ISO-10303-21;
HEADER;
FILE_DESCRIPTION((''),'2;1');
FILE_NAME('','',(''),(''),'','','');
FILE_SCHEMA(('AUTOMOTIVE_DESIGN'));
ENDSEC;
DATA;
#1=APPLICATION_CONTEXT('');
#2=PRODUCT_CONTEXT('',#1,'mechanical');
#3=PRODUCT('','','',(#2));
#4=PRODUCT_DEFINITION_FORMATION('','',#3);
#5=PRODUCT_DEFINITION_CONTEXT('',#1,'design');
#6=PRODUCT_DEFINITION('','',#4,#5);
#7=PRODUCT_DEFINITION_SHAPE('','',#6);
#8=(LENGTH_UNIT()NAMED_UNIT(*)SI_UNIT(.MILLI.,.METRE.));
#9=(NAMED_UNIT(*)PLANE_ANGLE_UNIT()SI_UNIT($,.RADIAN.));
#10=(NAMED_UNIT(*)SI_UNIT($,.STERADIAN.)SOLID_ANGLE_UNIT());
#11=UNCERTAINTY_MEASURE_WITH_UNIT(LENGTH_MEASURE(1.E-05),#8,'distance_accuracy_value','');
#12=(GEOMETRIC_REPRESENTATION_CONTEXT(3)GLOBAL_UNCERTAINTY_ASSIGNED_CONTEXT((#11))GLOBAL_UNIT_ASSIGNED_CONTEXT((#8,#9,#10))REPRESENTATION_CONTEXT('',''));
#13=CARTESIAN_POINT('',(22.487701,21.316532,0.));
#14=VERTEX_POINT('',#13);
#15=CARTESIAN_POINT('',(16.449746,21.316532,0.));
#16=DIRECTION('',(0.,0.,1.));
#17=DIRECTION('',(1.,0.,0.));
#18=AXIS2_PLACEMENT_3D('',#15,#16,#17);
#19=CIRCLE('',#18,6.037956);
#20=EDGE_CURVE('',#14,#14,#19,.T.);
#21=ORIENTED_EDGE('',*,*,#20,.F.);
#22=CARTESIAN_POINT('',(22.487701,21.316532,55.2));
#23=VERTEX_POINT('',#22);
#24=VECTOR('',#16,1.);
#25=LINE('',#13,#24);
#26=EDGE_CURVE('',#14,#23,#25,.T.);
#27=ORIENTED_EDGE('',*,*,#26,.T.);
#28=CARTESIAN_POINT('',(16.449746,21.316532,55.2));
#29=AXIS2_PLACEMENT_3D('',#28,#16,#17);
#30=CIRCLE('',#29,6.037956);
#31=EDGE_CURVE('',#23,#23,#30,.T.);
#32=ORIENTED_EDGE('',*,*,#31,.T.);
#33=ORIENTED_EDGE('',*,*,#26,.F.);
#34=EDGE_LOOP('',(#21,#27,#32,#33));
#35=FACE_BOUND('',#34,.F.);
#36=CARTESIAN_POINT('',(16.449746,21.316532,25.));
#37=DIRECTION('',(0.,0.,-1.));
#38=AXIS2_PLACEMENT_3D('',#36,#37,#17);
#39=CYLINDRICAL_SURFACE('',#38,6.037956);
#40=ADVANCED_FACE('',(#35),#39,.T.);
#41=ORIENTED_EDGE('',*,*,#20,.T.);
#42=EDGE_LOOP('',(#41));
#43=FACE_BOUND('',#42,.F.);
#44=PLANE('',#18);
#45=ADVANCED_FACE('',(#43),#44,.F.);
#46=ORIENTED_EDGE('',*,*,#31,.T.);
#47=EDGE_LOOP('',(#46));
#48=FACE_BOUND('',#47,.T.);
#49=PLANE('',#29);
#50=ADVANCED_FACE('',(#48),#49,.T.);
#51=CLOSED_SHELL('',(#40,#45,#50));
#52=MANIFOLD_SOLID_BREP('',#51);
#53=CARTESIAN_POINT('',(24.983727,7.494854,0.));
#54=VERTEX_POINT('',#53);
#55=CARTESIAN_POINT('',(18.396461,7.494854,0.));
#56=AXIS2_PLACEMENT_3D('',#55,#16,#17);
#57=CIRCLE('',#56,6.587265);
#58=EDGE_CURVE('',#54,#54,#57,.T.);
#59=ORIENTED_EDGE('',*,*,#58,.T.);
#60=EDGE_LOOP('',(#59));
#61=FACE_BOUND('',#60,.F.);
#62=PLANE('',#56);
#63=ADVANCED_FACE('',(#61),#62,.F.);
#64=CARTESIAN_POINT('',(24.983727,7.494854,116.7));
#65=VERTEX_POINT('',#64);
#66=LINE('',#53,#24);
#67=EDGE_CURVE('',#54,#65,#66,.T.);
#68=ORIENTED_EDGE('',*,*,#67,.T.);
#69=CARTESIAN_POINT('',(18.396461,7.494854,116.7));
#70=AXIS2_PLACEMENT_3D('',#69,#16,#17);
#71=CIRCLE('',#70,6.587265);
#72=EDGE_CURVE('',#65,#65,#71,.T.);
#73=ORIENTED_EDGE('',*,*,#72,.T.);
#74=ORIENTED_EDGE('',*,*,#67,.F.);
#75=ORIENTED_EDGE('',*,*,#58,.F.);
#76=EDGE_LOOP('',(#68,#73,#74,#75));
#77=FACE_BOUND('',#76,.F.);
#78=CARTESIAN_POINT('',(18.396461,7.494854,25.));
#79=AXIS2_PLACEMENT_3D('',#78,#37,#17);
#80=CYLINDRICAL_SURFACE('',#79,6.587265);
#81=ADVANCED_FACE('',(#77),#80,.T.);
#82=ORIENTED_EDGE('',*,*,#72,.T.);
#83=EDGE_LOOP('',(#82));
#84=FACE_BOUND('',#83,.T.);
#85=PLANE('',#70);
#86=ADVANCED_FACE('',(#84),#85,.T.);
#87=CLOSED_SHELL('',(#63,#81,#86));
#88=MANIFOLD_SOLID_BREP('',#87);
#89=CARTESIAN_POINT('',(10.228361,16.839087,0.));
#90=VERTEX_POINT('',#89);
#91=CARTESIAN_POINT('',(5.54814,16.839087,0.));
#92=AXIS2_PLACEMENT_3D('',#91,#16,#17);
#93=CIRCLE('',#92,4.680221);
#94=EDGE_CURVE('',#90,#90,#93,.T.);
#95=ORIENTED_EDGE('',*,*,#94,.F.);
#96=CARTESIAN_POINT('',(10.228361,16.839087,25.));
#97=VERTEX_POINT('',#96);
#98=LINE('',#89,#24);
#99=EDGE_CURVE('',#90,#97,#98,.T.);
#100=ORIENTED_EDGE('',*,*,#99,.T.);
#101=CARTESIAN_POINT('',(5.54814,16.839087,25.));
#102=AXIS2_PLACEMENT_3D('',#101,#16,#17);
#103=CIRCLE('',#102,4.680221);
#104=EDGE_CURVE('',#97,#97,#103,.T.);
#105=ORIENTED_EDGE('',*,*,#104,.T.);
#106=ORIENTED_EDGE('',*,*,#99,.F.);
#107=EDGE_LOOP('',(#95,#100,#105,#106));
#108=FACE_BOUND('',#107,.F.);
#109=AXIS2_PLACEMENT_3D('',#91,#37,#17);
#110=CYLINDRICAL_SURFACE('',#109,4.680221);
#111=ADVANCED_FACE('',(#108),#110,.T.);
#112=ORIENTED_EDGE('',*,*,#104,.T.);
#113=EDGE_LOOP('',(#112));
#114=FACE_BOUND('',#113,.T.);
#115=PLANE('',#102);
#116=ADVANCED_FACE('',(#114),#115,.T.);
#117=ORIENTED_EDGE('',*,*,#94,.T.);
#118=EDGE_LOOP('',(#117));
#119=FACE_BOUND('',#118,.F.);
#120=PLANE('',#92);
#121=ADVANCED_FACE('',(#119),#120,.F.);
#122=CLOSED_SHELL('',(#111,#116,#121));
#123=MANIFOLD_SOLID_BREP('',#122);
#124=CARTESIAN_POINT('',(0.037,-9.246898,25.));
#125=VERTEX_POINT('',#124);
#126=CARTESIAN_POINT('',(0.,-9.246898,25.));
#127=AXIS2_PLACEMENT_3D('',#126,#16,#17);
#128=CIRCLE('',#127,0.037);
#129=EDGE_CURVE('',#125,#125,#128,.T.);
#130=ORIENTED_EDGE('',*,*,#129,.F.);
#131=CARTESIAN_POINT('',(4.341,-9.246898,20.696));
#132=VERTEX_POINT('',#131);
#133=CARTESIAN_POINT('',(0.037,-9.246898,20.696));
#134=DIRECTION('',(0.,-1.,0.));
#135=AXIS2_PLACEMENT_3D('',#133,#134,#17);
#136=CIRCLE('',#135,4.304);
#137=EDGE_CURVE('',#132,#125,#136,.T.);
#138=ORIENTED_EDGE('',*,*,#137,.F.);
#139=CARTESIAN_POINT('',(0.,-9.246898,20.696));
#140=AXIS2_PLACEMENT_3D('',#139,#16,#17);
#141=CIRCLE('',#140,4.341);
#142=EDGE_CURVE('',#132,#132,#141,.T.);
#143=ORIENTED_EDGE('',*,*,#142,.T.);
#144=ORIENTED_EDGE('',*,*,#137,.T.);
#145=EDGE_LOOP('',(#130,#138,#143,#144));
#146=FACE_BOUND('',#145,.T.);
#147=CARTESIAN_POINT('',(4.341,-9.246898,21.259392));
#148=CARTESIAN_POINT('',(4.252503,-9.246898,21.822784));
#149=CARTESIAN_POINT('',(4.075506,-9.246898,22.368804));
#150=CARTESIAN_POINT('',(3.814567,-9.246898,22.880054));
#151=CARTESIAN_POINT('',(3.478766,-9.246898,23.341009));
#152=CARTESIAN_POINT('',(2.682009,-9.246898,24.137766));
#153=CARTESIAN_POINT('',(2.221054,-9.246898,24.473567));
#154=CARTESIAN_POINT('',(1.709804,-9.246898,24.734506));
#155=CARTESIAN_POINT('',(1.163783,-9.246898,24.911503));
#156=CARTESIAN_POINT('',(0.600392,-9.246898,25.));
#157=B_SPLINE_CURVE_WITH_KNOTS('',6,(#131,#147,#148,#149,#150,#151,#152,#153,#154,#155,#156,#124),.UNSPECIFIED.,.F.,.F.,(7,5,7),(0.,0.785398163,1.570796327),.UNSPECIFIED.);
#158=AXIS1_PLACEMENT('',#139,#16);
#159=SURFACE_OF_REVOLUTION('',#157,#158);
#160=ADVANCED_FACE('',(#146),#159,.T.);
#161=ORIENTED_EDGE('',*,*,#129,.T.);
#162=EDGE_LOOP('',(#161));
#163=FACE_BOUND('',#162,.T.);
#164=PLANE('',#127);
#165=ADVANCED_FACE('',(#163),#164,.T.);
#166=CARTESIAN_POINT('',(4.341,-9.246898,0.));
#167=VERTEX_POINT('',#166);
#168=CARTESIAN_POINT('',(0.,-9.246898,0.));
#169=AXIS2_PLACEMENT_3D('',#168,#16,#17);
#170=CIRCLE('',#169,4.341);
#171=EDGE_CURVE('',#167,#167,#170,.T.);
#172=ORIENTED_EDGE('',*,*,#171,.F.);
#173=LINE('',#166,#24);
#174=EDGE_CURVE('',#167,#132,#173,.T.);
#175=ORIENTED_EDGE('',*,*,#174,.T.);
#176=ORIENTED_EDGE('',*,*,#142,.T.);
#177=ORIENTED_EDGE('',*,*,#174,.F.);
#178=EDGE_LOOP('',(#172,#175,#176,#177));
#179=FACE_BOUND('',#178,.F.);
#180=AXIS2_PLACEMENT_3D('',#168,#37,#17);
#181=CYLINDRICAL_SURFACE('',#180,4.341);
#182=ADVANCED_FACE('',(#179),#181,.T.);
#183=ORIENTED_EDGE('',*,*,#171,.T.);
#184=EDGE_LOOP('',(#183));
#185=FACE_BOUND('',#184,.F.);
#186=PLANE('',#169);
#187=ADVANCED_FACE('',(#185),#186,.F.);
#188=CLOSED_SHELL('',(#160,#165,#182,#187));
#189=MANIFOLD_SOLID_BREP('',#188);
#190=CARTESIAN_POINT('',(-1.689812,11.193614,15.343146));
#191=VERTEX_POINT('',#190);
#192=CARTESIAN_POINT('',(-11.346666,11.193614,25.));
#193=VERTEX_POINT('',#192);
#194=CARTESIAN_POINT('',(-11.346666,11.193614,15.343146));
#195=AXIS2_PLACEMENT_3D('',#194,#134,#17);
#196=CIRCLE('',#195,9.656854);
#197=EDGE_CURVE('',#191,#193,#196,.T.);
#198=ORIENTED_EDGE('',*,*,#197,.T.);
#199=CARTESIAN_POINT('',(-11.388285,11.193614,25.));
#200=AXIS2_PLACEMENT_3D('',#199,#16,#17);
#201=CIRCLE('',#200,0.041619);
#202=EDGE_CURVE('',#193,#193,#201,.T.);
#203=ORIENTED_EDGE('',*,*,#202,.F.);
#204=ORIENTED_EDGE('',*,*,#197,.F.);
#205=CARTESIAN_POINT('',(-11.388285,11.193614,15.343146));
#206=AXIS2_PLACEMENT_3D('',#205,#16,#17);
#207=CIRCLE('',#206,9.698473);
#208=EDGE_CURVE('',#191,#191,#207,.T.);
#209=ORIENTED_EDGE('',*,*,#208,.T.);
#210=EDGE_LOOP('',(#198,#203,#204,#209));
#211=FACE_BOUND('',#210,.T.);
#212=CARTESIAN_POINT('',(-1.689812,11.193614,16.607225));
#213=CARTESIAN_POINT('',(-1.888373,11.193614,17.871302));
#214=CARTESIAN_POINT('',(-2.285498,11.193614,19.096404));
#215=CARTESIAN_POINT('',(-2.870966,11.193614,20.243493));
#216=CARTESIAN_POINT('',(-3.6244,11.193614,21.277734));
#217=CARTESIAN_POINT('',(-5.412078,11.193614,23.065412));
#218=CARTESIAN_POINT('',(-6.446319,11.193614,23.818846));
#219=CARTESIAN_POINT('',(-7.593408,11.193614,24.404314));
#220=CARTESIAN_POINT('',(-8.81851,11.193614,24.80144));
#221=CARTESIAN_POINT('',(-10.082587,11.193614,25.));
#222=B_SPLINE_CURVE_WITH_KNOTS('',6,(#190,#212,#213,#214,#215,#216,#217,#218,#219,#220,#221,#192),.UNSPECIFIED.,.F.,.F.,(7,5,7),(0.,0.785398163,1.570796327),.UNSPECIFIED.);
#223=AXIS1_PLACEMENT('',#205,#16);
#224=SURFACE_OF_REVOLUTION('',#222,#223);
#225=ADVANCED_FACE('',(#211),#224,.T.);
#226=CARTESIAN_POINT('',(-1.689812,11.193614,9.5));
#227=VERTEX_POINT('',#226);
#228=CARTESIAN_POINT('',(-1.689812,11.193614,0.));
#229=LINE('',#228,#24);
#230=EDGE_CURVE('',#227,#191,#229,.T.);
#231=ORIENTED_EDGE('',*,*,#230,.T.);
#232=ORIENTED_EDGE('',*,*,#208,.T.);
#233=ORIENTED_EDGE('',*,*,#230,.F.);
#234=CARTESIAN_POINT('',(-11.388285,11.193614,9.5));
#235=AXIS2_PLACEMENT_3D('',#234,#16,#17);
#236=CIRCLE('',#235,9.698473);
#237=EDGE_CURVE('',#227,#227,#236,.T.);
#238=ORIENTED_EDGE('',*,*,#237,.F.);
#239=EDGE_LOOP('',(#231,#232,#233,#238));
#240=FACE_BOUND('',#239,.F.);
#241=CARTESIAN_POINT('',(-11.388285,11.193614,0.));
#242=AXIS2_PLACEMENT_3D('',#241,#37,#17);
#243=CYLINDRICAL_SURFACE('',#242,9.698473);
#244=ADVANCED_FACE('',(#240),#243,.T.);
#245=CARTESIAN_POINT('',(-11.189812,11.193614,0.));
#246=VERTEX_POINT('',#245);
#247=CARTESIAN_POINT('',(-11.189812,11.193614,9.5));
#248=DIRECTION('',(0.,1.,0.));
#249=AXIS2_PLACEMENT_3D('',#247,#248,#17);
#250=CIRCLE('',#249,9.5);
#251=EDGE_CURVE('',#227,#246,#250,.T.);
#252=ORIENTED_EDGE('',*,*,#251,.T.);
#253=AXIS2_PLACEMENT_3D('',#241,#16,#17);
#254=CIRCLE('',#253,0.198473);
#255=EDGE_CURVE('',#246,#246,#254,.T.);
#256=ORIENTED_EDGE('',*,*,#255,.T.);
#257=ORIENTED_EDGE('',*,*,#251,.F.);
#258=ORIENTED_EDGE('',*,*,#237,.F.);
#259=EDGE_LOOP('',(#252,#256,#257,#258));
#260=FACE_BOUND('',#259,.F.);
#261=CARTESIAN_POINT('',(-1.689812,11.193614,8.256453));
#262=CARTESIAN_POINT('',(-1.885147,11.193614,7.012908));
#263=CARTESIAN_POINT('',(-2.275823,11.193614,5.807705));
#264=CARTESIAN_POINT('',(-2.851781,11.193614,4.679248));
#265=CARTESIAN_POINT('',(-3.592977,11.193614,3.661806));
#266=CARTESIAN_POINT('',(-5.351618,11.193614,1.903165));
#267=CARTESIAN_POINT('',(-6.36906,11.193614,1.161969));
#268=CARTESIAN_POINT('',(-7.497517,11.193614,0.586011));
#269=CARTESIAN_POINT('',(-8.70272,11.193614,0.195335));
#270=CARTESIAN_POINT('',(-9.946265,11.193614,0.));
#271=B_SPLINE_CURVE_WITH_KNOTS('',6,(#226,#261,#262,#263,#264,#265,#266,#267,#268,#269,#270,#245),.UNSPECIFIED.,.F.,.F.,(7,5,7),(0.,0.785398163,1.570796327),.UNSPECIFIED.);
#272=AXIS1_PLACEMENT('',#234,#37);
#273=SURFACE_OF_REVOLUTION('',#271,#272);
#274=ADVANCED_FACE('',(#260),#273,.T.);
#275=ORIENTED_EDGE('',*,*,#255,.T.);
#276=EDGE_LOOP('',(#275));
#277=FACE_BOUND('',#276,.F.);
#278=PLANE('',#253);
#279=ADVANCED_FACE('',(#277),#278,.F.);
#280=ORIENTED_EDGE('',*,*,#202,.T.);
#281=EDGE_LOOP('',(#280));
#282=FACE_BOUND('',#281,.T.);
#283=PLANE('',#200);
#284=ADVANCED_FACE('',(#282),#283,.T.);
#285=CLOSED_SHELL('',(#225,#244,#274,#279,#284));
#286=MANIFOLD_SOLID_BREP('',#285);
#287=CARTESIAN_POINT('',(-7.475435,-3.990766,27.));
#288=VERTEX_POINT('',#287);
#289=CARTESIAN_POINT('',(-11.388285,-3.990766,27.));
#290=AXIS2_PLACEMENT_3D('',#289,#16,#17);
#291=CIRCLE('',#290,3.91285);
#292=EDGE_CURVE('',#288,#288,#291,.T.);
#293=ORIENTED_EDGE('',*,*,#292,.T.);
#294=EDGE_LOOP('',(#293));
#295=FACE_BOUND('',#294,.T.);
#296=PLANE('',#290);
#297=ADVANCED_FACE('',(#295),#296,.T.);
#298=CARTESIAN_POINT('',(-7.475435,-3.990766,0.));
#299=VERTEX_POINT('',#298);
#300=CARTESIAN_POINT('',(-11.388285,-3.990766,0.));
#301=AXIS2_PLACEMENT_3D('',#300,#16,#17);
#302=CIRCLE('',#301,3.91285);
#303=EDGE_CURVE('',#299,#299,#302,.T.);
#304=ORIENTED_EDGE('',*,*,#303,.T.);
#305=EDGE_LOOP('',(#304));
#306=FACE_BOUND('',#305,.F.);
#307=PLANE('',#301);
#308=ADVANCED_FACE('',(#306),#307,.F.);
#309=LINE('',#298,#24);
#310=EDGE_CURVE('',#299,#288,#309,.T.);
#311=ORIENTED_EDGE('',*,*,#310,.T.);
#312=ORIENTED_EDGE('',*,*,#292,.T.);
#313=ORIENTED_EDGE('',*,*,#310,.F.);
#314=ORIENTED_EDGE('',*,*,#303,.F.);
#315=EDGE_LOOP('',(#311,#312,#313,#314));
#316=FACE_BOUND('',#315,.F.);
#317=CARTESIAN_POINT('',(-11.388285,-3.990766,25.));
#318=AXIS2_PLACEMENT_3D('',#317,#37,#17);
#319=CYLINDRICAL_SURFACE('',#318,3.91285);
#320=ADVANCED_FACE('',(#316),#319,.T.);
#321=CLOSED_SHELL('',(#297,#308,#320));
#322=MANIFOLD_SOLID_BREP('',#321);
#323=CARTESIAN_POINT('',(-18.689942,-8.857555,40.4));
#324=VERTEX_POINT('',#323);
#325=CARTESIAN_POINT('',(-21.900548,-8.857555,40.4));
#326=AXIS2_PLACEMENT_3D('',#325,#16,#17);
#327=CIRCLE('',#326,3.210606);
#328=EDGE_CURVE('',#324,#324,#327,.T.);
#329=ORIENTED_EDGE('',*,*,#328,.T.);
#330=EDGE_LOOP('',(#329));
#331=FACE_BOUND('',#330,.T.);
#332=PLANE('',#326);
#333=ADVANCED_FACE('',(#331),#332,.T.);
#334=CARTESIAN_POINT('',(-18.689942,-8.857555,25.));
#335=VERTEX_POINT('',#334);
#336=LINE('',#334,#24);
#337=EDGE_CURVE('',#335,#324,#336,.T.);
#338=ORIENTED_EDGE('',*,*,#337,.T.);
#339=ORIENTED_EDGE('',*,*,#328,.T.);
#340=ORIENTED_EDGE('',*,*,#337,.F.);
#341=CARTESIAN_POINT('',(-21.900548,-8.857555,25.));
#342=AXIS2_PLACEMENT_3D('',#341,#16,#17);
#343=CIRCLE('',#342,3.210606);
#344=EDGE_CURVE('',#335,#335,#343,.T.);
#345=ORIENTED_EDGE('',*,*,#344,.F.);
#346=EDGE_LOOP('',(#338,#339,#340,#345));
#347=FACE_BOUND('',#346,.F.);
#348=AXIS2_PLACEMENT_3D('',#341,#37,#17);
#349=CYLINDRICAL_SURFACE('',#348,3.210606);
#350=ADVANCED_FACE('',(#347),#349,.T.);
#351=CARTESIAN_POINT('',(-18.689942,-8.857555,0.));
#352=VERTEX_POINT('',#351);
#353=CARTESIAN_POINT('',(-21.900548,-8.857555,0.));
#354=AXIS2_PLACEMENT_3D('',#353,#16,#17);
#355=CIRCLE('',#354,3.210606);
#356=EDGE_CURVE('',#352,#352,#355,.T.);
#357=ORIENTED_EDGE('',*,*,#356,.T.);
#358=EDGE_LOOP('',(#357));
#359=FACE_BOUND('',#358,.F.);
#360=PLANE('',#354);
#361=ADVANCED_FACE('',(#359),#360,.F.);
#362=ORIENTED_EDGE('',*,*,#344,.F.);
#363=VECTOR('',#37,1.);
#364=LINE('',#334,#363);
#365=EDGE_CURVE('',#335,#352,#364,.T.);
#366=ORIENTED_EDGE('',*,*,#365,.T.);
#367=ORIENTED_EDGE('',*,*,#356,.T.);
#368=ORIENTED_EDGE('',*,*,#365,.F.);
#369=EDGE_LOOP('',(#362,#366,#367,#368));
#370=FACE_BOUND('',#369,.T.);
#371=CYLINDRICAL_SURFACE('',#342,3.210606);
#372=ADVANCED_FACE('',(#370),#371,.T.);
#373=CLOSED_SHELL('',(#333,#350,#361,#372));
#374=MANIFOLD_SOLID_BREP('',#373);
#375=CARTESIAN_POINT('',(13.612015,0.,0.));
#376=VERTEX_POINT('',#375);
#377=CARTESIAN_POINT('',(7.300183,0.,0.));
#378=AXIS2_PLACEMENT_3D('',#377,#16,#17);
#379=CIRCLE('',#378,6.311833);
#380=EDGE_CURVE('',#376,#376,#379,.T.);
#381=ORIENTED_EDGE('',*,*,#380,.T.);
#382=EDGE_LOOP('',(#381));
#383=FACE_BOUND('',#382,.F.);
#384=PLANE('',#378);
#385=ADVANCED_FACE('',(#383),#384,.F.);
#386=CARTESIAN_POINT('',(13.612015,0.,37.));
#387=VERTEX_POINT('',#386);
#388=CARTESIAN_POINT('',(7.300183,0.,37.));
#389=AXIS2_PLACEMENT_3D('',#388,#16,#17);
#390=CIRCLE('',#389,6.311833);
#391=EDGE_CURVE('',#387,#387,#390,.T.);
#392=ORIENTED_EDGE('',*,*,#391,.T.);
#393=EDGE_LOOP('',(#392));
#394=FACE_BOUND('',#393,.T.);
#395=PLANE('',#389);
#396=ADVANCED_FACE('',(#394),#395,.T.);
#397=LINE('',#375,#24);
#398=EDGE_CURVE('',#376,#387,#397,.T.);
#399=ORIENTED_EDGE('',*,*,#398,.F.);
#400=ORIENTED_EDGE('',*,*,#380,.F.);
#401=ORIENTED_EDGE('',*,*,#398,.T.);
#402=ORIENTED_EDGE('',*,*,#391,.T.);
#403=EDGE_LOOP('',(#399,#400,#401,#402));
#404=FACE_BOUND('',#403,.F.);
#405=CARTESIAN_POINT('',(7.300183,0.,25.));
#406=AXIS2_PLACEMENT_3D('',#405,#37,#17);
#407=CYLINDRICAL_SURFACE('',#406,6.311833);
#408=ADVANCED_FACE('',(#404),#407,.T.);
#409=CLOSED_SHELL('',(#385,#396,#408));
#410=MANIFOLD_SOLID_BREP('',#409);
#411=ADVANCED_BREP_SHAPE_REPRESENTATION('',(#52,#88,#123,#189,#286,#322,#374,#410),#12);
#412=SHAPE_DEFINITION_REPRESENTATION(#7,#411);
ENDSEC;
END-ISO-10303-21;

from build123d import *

# Parameters (mm, degrees)
F0_R      = 9.698472862
F1_DEPTH  = 25
F0_R_2    = 4.6802210525
F0_R_3    = 6.3118326062
F0_R_4    = 3.2106056795
F0_R_5    = 3.9128504698
F0_R_6    = 4.3409997881
F0_R_7    = 6.0379556938
F0_R_8    = 6.58726534
F2_R      = 4.304
F3_R      = 9.6568542495
F4_R      = 9.5
F5_DEPTH  = 30.2
F6_DEPTH  = 12.6
F7_DEPTH  = 15.4
F8_DEPTH  = 2
F9_DEPTH  = 91.7
F10_DEPTH = 12


with BuildPart() as f1:
    # F0 (on Top) → F1 (new body)
    with BuildSketch(Plane.XY):
        with Locations((-11.3882850856, 11.1936135218)):
            Circle(F0_R)
    extrude(amount=F1_DEPTH)

    # F3
    f3_edges = [f1.edges().sort_by_distance(p)[0] for p in [
        (-21.086758, 11.193614, 25),
    ]]
    fillet(f3_edges, radius=F3_R)

    # F4
    f4_edges = [f1.edges().sort_by_distance(p)[0] for p in [
        (-21.086758, 11.193614, 0),
    ]]
    fillet(f4_edges, radius=F4_R)


with BuildPart() as f1b:
    # F0 (on Top) → F1, piece 2 (new body)
    with BuildSketch(Plane.XY):
        with Locations((5.5481395684, 16.8390870094)):
            Circle(F0_R_2)
    extrude(amount=F1_DEPTH)


with BuildPart() as f1c:
    # F0 (on Top) → F1, piece 3 (new body)
    with BuildSketch(Plane.XY):
        with Locations((7.3001827113, 0)):
            Circle(F0_R_3)
    extrude(amount=F1_DEPTH)

    # F10 (add): a face of the model
    f10_faces = [f1c.faces().sort_by_distance(p)[0] for p in [
        (7.3001827113, 0, 25),
    ]]
    extrude(f10_faces, amount=F10_DEPTH)


with BuildPart() as f1d:
    # F0 (on Top) → F1, piece 4 (new body)
    with BuildSketch(Plane.XY):
        with Locations((-21.9005476683, -8.8575547561)):
            Circle(F0_R_4)
    extrude(amount=F1_DEPTH)

    # F6 (add): a face of the model
    f6_faces = [f1d.faces().sort_by_distance(p)[0] for p in [
        (-21.9005476683, -8.8575547561, 25),
    ]]
    extrude(f6_faces, amount=-F6_DEPTH)

    # F7 (add): a face of the model
    f7_faces = [f1d.faces().sort_by_distance(p)[0] for p in [
        (-21.9005476683, -8.8575547561, 25),
    ]]
    extrude(f7_faces, amount=F7_DEPTH)


with BuildPart() as f1e:
    # F0 (on Top) → F1, piece 5 (new body)
    with BuildSketch(Plane.XY):
        with Locations((-11.3882850856, -3.9907661267)):
            Circle(F0_R_5)
    extrude(amount=F1_DEPTH)

    # F8 (add): a face of the model
    f8_faces = [f1e.faces().sort_by_distance(p)[0] for p in [
        (-11.3882850856, -3.9907661267, 25),
    ]]
    extrude(f8_faces, amount=F8_DEPTH)


with BuildPart() as f1f:
    # F0 (on Top) → F1, piece 6 (new body)
    with BuildSketch(Plane.XY):
        with Locations((0, -9.2468978837)):
            Circle(F0_R_6)
    extrude(amount=F1_DEPTH)

    # F2
    f2_edges = [f1f.edges().sort_by_distance(p)[0] for p in [
        (-4.341, -9.246898, 25),
    ]]
    fillet(f2_edges, radius=F2_R)


with BuildPart() as f1g:
    # F0 (on Top) → F1, piece 7 (new body)
    with BuildSketch(Plane.XY):
        with Locations((16.4497457445, 21.3165320456)):
            Circle(F0_R_7)
    extrude(amount=F1_DEPTH)

    # F5 (add): a face of the model
    f5_faces = [f1g.faces().sort_by_distance(p)[0] for p in [
        (16.4497457445, 21.3165320456, 25),
    ]]
    extrude(f5_faces, amount=F5_DEPTH)


with BuildPart() as f1h:
    # F0 (on Top) → F1, piece 8 (new body)
    with BuildSketch(Plane.XY):
        with Locations((18.3964613825, 7.4948542751)):
            Circle(F0_R_8)
    extrude(amount=F1_DEPTH)

    # F9 (add): a face of the model
    f9_faces = [f1h.faces().sort_by_distance(p)[0] for p in [
        (18.3964613825, 7.4948542751, 25),
    ]]
    extrude(f9_faces, amount=F9_DEPTH)


solid = Compound([f1.part, f1b.part, f1c.part, f1d.part, f1e.part, f1f.part, f1g.part, f1h.part])
